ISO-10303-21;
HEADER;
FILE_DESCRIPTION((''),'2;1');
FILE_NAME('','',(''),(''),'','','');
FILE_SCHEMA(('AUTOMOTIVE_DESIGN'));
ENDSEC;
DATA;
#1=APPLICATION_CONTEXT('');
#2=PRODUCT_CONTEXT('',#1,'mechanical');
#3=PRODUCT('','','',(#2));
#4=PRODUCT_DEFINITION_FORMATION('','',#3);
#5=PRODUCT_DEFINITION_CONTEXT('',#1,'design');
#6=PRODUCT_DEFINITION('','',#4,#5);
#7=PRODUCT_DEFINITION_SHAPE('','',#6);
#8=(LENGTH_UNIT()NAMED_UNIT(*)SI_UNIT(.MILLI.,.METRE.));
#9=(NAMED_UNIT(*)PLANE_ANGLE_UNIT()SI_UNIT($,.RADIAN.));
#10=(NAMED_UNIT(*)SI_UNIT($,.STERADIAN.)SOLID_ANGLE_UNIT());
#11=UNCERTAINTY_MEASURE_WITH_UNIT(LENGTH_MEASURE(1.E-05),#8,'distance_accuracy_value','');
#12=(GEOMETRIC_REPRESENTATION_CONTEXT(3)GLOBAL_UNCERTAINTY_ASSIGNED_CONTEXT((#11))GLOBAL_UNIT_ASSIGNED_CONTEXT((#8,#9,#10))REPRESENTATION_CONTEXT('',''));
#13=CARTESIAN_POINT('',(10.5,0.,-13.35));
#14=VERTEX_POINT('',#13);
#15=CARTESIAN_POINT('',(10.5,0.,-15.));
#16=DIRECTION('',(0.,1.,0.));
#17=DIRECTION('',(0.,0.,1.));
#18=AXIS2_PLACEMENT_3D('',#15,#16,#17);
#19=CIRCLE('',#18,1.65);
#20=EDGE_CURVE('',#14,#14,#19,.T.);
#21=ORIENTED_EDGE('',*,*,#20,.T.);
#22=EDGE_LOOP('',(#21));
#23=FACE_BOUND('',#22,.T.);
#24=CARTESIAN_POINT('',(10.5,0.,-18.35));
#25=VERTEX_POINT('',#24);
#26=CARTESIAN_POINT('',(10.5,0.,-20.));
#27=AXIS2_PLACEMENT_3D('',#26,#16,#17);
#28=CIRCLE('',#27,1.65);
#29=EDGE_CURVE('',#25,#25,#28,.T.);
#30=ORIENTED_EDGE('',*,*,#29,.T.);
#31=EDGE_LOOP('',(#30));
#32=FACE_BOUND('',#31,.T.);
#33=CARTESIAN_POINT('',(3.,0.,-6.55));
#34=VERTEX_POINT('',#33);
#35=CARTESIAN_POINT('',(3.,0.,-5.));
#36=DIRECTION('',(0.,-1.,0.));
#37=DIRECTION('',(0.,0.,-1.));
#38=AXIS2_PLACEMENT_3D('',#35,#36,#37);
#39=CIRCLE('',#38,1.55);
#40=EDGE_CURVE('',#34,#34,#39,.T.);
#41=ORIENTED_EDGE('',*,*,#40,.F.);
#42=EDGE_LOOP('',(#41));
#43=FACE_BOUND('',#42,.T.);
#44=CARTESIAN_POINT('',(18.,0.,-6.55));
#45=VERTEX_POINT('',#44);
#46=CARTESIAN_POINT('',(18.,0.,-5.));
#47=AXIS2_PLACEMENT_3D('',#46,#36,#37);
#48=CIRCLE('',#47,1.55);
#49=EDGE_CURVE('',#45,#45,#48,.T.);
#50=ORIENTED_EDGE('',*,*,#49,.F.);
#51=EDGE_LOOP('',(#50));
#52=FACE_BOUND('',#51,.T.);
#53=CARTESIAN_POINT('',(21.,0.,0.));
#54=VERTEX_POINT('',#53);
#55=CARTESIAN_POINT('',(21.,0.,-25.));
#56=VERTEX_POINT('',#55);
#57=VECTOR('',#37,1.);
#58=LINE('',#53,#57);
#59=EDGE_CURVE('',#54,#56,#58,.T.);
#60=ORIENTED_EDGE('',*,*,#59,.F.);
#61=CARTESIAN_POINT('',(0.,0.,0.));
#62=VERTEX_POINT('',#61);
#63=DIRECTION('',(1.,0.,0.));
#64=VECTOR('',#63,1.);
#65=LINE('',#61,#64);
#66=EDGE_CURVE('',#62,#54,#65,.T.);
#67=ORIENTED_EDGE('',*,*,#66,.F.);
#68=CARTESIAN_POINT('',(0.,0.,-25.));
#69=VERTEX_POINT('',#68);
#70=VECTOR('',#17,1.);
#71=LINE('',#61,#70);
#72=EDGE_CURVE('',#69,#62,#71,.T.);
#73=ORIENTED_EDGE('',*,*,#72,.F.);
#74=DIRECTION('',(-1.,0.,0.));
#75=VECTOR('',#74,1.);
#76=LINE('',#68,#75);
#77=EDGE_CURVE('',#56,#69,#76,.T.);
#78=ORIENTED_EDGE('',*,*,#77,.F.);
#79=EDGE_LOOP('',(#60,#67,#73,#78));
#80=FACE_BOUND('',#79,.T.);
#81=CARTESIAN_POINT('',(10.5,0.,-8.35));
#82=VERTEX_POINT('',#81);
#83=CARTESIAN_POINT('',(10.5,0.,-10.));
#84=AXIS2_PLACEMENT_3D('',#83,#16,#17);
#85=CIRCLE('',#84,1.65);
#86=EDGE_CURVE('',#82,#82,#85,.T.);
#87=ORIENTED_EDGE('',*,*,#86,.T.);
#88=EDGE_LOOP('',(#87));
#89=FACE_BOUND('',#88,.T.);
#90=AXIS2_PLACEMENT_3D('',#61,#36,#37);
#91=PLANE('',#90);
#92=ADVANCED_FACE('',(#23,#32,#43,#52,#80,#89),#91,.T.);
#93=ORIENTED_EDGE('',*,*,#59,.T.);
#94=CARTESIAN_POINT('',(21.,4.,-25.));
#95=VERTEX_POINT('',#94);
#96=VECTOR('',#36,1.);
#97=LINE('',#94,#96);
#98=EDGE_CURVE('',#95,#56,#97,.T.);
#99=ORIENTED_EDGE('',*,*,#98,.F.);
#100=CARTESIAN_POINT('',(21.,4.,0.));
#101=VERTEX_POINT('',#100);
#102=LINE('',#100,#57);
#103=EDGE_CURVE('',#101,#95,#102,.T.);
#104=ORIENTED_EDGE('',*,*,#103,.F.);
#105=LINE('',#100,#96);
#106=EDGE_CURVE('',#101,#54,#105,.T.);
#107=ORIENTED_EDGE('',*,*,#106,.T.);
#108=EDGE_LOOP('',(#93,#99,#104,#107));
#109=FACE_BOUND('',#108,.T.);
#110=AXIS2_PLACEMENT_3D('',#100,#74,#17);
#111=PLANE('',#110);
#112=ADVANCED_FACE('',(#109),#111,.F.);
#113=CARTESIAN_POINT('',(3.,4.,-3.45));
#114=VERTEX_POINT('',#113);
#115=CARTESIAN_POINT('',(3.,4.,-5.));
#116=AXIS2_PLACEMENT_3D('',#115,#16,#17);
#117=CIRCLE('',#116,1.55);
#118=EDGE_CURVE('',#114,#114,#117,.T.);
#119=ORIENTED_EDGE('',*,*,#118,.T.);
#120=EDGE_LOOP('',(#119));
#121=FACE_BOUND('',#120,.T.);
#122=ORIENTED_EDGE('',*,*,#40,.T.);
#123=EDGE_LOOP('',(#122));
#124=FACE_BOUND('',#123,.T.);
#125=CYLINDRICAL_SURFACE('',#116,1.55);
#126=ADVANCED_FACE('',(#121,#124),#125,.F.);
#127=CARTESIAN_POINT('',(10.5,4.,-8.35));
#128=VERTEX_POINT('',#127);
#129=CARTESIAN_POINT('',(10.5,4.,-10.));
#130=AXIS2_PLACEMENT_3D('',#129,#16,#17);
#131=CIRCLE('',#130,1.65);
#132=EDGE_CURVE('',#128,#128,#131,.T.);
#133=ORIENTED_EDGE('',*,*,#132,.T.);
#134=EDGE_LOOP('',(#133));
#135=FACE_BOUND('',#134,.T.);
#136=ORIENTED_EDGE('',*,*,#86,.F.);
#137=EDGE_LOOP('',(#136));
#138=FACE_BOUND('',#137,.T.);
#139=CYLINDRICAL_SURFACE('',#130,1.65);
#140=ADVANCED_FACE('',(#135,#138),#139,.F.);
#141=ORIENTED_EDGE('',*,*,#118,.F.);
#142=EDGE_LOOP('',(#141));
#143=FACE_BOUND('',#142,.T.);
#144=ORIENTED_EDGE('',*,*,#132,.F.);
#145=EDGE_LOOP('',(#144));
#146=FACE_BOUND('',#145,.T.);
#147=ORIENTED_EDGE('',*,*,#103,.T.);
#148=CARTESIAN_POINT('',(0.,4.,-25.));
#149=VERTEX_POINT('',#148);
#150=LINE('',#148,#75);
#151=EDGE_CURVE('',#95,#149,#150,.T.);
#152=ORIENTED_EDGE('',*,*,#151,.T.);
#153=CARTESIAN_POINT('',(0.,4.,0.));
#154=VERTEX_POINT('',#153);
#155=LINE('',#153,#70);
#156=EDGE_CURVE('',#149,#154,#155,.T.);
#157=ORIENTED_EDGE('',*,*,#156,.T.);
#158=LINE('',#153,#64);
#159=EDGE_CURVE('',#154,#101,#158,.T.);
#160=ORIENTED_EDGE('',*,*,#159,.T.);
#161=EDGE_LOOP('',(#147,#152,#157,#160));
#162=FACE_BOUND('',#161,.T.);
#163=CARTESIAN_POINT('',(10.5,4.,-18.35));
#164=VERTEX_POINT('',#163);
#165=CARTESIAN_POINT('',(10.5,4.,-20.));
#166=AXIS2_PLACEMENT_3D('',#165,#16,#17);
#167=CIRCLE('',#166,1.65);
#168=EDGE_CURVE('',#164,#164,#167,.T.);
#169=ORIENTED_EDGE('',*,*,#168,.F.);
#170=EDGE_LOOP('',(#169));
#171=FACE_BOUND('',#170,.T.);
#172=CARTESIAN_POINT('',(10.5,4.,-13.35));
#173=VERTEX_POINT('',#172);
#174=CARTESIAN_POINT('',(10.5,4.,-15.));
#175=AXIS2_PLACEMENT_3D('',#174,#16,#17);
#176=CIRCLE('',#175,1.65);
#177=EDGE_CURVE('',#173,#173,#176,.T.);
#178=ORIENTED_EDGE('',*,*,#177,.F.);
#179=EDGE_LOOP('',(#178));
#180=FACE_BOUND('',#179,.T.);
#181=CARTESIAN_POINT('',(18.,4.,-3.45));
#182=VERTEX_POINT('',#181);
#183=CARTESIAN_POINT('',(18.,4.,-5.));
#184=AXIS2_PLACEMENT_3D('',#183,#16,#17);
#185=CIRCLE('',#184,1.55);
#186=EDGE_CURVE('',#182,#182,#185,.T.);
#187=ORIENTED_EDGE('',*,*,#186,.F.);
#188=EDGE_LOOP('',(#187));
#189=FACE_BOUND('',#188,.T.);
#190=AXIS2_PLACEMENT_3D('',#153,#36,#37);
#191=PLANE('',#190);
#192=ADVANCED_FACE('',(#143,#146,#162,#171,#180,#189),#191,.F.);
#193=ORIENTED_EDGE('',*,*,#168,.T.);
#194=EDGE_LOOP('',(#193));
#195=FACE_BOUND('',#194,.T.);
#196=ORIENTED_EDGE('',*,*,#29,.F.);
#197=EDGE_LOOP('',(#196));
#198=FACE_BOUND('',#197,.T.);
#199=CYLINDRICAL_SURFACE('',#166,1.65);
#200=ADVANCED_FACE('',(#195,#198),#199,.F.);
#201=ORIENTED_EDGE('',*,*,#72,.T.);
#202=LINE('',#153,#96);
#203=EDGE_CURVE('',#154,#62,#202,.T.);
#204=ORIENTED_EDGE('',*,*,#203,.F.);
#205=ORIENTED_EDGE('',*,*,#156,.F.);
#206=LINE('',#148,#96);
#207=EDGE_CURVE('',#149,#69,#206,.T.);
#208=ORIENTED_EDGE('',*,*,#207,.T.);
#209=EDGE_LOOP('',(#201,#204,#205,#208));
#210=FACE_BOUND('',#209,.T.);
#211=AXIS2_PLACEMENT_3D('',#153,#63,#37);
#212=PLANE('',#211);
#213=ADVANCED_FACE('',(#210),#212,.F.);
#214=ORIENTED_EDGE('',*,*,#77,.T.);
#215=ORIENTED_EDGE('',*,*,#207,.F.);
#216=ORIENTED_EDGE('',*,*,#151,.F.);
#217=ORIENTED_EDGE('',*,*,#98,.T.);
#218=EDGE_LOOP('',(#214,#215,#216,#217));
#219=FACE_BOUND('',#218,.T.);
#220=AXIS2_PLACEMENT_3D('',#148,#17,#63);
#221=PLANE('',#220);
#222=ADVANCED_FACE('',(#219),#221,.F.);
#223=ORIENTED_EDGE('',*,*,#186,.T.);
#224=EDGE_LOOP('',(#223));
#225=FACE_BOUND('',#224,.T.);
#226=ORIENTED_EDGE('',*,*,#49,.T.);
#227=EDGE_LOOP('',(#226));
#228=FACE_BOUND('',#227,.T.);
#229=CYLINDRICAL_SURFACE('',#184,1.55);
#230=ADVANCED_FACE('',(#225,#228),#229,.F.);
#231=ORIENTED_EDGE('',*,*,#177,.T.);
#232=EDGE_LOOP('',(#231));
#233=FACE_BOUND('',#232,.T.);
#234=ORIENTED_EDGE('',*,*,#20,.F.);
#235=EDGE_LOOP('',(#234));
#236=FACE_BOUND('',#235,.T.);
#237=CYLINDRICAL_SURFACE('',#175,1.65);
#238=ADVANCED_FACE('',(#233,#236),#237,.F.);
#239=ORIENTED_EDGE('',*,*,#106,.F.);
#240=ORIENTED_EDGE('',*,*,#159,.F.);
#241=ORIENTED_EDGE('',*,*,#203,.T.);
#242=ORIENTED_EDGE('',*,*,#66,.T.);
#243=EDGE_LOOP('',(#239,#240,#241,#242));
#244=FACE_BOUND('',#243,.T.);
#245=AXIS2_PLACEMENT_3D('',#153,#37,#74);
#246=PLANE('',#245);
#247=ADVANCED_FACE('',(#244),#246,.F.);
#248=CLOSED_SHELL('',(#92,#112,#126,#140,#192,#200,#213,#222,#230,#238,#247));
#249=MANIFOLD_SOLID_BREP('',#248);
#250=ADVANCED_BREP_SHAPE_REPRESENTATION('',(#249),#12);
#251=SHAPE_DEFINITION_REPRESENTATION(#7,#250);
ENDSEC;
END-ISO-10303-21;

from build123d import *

# Parameters (mm, degrees)
SKETCH1_W                      = 21
SKETCH1_H                      = 25
BOSS_EXTRUDE1_DEPTH            = 4
F_3_1_3_1_DIAMETER_HOLE1_D     = 3.1
F_3_1_3_1_DIAMETER_HOLE1_DEPTH = 10
F_3_1_3_1_DIAMETER_HOLE1_TIP   = 0.931333959
M4X0_7_TAPPED_HOLE1_D          = 3.3


with BuildPart() as part:
    # Sketch1 → Boss-Extrude1 (new body)
    with BuildSketch(Plane(origin=(0, 0, 0), x_dir=(1, 0, 0), z_dir=(0, 1, 0))):
        with Locations((10.5, 12.5)):
            Rectangle(SKETCH1_W, SKETCH1_H)
    extrude(amount=BOSS_EXTRUDE1_DEPTH)

    # Ø3.1 (3.1) Diameter Hole1
    with Locations(Plane(origin=(0, 4, 0), x_dir=(1, 0, 0), z_dir=(0, 1, 0))):
        with Locations((3, 5), (18, 5)):
            Hole(F_3_1_3_1_DIAMETER_HOLE1_D / 2, depth=F_3_1_3_1_DIAMETER_HOLE1_DEPTH)
            with Locations((0, 0, -(F_3_1_3_1_DIAMETER_HOLE1_DEPTH + F_3_1_3_1_DIAMETER_HOLE1_TIP / 2))):  # 118° drill point
                Cone(0, F_3_1_3_1_DIAMETER_HOLE1_D / 2, F_3_1_3_1_DIAMETER_HOLE1_TIP, mode=Mode.SUBTRACT)

    # M4x0.7 Tapped Hole1 (through all)
    with Locations(Plane(origin=(0, 4, 0), x_dir=(1, 0, 0), z_dir=(0, 1, 0))):
        with Locations((10.5, 10), (10.5, 20), (10.5, 15)):
            Hole(M4X0_7_TAPPED_HOLE1_D / 2)


solid = part.part
